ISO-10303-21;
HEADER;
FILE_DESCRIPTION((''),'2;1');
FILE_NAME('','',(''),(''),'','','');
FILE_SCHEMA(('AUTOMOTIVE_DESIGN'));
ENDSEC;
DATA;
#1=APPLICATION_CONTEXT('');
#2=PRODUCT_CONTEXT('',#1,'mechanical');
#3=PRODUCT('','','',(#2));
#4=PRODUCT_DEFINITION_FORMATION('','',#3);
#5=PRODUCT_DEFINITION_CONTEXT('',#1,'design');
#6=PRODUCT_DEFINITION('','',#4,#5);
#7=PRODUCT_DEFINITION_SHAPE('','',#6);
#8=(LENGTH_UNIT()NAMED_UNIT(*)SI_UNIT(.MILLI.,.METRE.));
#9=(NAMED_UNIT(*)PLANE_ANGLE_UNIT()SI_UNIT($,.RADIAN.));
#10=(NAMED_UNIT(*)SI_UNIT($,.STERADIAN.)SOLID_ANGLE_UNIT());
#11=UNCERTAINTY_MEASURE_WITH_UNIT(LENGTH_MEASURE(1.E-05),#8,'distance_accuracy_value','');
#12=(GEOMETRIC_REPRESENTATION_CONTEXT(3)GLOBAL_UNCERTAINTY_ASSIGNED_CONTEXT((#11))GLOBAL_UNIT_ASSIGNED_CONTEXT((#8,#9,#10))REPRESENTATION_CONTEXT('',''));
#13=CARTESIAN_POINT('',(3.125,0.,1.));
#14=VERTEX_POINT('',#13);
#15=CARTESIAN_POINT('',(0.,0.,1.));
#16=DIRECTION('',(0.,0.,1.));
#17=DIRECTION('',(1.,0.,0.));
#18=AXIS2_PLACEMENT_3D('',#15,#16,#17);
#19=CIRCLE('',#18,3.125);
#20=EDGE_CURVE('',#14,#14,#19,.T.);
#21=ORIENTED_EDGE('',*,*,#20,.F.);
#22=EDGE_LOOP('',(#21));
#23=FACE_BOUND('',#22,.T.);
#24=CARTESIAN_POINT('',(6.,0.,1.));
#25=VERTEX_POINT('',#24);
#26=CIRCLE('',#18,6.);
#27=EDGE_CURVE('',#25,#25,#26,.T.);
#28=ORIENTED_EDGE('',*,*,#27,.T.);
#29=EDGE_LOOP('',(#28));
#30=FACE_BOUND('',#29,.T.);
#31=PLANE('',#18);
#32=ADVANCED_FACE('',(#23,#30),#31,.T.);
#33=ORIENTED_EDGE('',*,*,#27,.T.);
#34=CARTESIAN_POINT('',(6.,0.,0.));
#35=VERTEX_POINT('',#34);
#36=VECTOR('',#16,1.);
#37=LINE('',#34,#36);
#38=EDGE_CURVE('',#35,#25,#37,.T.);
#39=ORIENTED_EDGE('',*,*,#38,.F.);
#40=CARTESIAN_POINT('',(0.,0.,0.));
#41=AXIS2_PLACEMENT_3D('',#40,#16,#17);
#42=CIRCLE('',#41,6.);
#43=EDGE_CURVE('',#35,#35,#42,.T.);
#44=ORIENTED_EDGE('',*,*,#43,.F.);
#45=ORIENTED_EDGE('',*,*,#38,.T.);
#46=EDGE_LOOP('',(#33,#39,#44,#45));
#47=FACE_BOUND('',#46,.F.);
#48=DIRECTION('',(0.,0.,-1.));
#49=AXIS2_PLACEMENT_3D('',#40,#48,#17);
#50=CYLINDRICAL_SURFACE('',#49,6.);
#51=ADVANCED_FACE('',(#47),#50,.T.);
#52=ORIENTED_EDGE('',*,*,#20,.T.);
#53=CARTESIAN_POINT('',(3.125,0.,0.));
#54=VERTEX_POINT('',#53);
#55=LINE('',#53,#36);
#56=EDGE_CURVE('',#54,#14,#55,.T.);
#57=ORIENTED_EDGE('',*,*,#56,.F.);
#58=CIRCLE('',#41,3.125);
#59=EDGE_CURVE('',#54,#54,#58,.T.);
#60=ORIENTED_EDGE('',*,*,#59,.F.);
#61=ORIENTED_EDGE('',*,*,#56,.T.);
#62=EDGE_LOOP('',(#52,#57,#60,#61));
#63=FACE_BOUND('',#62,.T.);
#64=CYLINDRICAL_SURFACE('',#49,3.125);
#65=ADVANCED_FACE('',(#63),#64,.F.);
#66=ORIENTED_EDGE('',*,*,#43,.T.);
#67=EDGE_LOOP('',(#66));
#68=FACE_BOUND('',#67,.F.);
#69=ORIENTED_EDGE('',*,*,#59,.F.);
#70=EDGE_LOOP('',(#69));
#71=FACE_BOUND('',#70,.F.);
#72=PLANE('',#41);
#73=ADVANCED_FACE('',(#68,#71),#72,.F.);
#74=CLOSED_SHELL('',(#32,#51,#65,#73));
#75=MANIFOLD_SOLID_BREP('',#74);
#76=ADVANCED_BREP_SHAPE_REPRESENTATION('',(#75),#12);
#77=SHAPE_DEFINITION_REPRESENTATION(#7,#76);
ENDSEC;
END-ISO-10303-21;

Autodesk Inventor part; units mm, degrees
ref_plane "YZ Plane" through (0, 0, 0) normal (1, 0, 0) x (0, 1, 0)
ref_plane "XZ Plane" through (0, 0, 0) normal (0, 1, 0) x (-1, 0, 0)
ref_plane "XY Plane" through (0, 0, 0) normal (0, 0, 1) x (1, 0, 0)
sketch "スケッチ1" plane through (0, 0, 0) normal (0, 0, 1) x (1, 0, 0)
  circle A0 centre (0, 0) radius 3.125
  circle A1 centre (0, 0) radius 6
  dimension "d0" = 6.25
  dimension "d1" = 12
extrude "押し出し1" add sketch "スケッチ1" along normal blind 1
properties part number "TT-0612-10" material "PET プラスチック"
